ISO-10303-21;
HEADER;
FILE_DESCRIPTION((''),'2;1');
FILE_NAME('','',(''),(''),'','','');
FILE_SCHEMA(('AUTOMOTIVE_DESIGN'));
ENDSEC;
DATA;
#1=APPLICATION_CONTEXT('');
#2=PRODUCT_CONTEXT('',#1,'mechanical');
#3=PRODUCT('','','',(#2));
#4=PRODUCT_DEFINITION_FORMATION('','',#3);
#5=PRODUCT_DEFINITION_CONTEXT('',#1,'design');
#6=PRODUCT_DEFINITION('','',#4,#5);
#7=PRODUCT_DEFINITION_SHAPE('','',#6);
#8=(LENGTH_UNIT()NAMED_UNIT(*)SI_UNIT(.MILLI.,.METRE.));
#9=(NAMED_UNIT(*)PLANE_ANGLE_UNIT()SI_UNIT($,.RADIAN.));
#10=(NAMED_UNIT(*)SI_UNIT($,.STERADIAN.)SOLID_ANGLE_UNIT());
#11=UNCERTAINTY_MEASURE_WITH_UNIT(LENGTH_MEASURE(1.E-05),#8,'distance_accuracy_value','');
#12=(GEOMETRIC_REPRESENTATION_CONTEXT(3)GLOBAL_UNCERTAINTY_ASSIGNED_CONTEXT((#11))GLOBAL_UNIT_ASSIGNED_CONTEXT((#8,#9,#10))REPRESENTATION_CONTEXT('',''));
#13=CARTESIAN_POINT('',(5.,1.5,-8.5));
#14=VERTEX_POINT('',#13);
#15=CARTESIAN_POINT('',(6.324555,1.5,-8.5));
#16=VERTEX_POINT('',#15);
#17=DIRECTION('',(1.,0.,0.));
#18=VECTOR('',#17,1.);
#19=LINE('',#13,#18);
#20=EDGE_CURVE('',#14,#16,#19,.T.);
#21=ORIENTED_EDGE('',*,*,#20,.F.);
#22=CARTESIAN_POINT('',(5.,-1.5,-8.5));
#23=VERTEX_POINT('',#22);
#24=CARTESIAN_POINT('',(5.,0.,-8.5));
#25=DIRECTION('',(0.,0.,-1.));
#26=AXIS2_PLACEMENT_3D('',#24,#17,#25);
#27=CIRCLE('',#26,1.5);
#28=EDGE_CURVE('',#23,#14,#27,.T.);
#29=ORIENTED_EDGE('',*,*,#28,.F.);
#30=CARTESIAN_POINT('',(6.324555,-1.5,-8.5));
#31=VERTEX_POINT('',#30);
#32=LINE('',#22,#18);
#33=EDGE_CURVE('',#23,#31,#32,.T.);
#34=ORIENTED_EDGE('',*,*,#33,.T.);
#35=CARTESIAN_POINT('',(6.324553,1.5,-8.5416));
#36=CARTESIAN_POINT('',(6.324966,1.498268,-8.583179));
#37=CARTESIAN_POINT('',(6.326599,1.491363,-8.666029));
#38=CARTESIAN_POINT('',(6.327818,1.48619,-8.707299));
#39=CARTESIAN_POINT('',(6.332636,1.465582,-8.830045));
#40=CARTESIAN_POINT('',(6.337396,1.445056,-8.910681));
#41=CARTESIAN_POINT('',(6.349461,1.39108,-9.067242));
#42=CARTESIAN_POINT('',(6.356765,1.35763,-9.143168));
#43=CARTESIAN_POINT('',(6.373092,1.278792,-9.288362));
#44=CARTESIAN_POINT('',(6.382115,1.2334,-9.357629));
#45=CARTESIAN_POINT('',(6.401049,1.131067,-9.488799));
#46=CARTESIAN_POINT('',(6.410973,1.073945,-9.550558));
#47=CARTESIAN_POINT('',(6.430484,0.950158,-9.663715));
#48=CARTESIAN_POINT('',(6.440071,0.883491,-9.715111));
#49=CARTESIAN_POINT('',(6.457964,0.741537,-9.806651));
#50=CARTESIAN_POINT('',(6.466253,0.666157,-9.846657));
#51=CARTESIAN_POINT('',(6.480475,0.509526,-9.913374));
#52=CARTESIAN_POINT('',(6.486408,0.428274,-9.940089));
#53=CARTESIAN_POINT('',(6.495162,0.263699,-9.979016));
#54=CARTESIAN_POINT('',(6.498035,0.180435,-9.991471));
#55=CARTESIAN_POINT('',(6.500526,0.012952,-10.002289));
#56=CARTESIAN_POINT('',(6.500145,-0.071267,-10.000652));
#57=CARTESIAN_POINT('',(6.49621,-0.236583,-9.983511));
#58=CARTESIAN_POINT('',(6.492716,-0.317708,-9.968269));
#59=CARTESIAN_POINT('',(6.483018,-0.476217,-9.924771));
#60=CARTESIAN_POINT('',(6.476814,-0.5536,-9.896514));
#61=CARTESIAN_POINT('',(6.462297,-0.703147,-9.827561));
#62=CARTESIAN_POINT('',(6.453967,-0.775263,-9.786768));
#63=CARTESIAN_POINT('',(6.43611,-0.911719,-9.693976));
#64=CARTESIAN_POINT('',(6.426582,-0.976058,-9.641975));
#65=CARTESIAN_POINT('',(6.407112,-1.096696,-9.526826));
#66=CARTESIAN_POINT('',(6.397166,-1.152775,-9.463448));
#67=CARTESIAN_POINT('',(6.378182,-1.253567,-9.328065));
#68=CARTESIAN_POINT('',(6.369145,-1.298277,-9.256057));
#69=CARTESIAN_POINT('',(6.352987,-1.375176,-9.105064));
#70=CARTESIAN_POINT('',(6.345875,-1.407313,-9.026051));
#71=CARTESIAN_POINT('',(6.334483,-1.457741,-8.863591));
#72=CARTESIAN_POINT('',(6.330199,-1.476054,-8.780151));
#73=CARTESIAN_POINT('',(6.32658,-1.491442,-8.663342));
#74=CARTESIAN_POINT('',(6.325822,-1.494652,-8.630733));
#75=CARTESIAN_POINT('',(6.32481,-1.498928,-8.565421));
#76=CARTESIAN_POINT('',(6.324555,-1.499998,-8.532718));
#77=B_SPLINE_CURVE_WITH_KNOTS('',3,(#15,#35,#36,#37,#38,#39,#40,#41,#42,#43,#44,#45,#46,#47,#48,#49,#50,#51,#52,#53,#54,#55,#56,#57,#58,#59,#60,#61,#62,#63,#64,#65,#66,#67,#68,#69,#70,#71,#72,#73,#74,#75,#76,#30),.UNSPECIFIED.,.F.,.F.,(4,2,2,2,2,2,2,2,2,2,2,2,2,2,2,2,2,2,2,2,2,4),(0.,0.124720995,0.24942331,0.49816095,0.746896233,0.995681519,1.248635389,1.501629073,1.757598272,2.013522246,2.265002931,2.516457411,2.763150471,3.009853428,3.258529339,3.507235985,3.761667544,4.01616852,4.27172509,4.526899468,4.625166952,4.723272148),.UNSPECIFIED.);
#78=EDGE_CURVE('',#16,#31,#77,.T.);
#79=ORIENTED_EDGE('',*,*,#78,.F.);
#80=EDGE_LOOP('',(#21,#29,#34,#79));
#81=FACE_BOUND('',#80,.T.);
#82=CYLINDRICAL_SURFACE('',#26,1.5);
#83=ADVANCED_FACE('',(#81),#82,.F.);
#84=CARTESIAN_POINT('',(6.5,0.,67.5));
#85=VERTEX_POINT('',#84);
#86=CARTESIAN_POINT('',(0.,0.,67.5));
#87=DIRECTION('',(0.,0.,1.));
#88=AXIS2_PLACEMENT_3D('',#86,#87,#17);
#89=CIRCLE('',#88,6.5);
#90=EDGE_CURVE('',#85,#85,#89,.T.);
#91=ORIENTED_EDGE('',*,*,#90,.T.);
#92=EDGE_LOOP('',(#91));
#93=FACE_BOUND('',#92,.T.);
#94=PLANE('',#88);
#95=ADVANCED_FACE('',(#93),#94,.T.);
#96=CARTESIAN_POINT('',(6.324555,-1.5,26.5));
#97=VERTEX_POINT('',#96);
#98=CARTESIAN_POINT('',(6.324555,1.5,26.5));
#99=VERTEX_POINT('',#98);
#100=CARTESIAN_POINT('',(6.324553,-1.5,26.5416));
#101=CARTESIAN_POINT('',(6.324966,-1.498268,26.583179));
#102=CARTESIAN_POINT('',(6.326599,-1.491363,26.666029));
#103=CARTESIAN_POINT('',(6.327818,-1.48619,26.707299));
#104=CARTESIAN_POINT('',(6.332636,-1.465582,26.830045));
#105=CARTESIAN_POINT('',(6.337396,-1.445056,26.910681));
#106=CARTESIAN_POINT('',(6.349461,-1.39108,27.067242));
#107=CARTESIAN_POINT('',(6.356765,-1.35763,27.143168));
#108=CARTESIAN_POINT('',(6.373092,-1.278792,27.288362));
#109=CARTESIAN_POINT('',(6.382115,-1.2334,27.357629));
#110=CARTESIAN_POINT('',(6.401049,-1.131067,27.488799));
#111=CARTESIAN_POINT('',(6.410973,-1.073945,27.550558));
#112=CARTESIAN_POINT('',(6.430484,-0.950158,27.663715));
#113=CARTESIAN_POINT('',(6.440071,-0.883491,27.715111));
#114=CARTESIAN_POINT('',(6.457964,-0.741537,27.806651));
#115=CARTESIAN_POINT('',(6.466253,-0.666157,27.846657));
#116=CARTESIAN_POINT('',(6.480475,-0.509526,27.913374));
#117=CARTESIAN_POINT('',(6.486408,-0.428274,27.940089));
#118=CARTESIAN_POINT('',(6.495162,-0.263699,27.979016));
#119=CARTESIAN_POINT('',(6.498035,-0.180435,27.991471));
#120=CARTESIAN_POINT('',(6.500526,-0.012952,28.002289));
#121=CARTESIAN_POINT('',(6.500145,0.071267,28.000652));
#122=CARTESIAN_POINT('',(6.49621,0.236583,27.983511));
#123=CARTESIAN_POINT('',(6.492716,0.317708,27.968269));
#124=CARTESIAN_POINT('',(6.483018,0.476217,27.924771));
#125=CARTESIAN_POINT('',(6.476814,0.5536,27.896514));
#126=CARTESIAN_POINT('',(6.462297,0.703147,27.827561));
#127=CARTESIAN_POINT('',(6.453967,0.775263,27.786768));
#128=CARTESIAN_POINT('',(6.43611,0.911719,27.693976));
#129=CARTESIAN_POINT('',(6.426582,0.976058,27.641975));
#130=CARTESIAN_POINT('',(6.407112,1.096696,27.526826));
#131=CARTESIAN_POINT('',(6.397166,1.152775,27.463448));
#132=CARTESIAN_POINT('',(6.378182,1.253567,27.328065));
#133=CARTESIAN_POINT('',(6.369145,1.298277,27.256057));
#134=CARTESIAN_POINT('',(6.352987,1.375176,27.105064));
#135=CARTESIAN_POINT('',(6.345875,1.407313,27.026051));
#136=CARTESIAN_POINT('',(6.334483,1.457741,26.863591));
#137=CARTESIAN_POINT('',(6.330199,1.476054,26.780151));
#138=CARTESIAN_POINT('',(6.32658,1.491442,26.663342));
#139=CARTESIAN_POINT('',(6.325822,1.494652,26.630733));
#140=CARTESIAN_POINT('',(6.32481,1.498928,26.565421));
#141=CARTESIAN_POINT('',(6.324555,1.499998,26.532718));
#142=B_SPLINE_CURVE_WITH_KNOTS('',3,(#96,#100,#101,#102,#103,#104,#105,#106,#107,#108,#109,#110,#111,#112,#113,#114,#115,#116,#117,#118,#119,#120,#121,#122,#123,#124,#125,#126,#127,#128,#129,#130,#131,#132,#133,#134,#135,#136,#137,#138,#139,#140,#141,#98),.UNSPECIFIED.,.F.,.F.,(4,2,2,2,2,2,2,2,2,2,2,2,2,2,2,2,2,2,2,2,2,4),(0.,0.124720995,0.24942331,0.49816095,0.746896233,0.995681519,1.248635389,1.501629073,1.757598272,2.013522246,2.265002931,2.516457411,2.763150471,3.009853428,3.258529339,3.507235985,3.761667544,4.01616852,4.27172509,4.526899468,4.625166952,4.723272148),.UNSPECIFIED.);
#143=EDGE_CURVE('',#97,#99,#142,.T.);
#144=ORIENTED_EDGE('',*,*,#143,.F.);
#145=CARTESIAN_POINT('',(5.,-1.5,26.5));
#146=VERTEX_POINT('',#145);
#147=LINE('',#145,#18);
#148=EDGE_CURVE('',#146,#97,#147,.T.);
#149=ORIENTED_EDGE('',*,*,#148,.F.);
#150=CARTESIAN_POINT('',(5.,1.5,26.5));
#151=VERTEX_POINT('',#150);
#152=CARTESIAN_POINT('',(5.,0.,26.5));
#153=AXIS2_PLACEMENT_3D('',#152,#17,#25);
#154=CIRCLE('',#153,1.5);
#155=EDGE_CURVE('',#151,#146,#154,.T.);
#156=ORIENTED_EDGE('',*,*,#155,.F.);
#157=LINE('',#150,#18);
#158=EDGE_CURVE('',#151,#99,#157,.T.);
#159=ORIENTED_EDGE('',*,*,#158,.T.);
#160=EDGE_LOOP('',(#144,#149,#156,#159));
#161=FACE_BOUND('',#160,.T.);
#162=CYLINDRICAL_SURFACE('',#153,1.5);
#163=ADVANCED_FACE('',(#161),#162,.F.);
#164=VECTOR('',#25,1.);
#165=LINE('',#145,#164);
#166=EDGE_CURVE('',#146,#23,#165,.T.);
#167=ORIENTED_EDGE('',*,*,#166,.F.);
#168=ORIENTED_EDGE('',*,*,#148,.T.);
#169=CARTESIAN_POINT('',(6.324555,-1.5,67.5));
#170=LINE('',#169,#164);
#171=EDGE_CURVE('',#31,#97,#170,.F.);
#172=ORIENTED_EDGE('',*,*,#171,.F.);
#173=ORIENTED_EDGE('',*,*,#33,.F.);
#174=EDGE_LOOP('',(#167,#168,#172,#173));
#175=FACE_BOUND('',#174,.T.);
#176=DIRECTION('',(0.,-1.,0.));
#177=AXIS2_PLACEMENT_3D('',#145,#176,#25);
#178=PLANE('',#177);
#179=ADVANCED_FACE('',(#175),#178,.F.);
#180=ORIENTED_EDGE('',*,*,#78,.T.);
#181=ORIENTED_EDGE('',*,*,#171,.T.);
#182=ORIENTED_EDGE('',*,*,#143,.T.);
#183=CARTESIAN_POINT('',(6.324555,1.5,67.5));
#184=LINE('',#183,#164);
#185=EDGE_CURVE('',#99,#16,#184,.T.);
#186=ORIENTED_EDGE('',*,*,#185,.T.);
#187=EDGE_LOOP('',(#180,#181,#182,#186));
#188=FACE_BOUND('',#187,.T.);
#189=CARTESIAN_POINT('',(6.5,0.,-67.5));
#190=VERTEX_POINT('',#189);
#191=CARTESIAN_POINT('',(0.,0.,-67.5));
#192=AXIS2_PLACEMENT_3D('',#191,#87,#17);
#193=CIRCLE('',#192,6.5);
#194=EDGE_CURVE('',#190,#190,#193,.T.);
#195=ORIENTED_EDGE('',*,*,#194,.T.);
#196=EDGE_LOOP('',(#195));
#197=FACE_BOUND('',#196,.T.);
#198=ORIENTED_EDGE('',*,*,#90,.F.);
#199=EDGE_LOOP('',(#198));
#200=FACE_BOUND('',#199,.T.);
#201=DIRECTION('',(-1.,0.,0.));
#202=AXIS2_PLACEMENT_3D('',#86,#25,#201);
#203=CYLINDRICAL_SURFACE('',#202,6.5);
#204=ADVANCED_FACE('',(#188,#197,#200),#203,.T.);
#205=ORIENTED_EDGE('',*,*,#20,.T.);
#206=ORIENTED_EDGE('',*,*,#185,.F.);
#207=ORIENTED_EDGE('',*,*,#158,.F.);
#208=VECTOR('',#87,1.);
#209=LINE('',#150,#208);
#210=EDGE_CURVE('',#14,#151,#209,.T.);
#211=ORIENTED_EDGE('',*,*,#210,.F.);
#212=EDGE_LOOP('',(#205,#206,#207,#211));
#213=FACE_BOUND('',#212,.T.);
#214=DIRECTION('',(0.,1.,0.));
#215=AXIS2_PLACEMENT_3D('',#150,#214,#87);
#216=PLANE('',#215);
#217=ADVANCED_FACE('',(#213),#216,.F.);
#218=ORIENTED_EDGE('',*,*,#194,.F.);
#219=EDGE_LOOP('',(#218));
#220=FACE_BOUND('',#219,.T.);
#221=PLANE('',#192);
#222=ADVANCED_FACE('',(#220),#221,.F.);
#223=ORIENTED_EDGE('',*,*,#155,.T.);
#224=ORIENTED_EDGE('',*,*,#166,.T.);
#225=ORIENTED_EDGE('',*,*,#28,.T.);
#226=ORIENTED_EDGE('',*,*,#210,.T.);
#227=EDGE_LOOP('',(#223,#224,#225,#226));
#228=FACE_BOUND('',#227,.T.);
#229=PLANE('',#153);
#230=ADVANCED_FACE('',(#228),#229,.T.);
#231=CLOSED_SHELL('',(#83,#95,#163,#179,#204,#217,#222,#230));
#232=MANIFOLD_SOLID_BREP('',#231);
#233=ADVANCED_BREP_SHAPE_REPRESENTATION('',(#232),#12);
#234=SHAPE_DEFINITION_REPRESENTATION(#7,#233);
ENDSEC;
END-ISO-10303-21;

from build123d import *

# Parameters (mm, degrees)
SKETCH1_R           = 6.5
BOSS_EXTRUDE1_DEPTH = 67.5
CUT_EXTRUDE1_START  = 6.5
CUT_EXTRUDE1_DEPTH  = 1.5


with BuildPart() as part:
    # Sketch1 → Boss-Extrude1 (new, symmetric)
    with BuildSketch(Plane.XY):
        Circle(SKETCH1_R)
    extrude(amount=BOSS_EXTRUDE1_DEPTH, both=True)

    # Sketch2 → Cut-Extrude1 (cut)
    with BuildSketch(Plane(origin=(0, 0, 0), x_dir=(0, 0, -1), z_dir=(1, 0, 0)).offset(CUT_EXTRUDE1_START)):
        with BuildLine():
            Line((-26.5, 1.5), (8.5, 1.5))
            ThreePointArc((8.5, 1.5), (10, 0), (8.5, -1.5))
            Line((8.5, -1.5), (-26.5, -1.5))
            ThreePointArc((-26.5, -1.5), (-28, 0), (-26.5, 1.5))
        make_face()
    extrude(amount=-CUT_EXTRUDE1_DEPTH, mode=Mode.SUBTRACT)


solid = part.part
